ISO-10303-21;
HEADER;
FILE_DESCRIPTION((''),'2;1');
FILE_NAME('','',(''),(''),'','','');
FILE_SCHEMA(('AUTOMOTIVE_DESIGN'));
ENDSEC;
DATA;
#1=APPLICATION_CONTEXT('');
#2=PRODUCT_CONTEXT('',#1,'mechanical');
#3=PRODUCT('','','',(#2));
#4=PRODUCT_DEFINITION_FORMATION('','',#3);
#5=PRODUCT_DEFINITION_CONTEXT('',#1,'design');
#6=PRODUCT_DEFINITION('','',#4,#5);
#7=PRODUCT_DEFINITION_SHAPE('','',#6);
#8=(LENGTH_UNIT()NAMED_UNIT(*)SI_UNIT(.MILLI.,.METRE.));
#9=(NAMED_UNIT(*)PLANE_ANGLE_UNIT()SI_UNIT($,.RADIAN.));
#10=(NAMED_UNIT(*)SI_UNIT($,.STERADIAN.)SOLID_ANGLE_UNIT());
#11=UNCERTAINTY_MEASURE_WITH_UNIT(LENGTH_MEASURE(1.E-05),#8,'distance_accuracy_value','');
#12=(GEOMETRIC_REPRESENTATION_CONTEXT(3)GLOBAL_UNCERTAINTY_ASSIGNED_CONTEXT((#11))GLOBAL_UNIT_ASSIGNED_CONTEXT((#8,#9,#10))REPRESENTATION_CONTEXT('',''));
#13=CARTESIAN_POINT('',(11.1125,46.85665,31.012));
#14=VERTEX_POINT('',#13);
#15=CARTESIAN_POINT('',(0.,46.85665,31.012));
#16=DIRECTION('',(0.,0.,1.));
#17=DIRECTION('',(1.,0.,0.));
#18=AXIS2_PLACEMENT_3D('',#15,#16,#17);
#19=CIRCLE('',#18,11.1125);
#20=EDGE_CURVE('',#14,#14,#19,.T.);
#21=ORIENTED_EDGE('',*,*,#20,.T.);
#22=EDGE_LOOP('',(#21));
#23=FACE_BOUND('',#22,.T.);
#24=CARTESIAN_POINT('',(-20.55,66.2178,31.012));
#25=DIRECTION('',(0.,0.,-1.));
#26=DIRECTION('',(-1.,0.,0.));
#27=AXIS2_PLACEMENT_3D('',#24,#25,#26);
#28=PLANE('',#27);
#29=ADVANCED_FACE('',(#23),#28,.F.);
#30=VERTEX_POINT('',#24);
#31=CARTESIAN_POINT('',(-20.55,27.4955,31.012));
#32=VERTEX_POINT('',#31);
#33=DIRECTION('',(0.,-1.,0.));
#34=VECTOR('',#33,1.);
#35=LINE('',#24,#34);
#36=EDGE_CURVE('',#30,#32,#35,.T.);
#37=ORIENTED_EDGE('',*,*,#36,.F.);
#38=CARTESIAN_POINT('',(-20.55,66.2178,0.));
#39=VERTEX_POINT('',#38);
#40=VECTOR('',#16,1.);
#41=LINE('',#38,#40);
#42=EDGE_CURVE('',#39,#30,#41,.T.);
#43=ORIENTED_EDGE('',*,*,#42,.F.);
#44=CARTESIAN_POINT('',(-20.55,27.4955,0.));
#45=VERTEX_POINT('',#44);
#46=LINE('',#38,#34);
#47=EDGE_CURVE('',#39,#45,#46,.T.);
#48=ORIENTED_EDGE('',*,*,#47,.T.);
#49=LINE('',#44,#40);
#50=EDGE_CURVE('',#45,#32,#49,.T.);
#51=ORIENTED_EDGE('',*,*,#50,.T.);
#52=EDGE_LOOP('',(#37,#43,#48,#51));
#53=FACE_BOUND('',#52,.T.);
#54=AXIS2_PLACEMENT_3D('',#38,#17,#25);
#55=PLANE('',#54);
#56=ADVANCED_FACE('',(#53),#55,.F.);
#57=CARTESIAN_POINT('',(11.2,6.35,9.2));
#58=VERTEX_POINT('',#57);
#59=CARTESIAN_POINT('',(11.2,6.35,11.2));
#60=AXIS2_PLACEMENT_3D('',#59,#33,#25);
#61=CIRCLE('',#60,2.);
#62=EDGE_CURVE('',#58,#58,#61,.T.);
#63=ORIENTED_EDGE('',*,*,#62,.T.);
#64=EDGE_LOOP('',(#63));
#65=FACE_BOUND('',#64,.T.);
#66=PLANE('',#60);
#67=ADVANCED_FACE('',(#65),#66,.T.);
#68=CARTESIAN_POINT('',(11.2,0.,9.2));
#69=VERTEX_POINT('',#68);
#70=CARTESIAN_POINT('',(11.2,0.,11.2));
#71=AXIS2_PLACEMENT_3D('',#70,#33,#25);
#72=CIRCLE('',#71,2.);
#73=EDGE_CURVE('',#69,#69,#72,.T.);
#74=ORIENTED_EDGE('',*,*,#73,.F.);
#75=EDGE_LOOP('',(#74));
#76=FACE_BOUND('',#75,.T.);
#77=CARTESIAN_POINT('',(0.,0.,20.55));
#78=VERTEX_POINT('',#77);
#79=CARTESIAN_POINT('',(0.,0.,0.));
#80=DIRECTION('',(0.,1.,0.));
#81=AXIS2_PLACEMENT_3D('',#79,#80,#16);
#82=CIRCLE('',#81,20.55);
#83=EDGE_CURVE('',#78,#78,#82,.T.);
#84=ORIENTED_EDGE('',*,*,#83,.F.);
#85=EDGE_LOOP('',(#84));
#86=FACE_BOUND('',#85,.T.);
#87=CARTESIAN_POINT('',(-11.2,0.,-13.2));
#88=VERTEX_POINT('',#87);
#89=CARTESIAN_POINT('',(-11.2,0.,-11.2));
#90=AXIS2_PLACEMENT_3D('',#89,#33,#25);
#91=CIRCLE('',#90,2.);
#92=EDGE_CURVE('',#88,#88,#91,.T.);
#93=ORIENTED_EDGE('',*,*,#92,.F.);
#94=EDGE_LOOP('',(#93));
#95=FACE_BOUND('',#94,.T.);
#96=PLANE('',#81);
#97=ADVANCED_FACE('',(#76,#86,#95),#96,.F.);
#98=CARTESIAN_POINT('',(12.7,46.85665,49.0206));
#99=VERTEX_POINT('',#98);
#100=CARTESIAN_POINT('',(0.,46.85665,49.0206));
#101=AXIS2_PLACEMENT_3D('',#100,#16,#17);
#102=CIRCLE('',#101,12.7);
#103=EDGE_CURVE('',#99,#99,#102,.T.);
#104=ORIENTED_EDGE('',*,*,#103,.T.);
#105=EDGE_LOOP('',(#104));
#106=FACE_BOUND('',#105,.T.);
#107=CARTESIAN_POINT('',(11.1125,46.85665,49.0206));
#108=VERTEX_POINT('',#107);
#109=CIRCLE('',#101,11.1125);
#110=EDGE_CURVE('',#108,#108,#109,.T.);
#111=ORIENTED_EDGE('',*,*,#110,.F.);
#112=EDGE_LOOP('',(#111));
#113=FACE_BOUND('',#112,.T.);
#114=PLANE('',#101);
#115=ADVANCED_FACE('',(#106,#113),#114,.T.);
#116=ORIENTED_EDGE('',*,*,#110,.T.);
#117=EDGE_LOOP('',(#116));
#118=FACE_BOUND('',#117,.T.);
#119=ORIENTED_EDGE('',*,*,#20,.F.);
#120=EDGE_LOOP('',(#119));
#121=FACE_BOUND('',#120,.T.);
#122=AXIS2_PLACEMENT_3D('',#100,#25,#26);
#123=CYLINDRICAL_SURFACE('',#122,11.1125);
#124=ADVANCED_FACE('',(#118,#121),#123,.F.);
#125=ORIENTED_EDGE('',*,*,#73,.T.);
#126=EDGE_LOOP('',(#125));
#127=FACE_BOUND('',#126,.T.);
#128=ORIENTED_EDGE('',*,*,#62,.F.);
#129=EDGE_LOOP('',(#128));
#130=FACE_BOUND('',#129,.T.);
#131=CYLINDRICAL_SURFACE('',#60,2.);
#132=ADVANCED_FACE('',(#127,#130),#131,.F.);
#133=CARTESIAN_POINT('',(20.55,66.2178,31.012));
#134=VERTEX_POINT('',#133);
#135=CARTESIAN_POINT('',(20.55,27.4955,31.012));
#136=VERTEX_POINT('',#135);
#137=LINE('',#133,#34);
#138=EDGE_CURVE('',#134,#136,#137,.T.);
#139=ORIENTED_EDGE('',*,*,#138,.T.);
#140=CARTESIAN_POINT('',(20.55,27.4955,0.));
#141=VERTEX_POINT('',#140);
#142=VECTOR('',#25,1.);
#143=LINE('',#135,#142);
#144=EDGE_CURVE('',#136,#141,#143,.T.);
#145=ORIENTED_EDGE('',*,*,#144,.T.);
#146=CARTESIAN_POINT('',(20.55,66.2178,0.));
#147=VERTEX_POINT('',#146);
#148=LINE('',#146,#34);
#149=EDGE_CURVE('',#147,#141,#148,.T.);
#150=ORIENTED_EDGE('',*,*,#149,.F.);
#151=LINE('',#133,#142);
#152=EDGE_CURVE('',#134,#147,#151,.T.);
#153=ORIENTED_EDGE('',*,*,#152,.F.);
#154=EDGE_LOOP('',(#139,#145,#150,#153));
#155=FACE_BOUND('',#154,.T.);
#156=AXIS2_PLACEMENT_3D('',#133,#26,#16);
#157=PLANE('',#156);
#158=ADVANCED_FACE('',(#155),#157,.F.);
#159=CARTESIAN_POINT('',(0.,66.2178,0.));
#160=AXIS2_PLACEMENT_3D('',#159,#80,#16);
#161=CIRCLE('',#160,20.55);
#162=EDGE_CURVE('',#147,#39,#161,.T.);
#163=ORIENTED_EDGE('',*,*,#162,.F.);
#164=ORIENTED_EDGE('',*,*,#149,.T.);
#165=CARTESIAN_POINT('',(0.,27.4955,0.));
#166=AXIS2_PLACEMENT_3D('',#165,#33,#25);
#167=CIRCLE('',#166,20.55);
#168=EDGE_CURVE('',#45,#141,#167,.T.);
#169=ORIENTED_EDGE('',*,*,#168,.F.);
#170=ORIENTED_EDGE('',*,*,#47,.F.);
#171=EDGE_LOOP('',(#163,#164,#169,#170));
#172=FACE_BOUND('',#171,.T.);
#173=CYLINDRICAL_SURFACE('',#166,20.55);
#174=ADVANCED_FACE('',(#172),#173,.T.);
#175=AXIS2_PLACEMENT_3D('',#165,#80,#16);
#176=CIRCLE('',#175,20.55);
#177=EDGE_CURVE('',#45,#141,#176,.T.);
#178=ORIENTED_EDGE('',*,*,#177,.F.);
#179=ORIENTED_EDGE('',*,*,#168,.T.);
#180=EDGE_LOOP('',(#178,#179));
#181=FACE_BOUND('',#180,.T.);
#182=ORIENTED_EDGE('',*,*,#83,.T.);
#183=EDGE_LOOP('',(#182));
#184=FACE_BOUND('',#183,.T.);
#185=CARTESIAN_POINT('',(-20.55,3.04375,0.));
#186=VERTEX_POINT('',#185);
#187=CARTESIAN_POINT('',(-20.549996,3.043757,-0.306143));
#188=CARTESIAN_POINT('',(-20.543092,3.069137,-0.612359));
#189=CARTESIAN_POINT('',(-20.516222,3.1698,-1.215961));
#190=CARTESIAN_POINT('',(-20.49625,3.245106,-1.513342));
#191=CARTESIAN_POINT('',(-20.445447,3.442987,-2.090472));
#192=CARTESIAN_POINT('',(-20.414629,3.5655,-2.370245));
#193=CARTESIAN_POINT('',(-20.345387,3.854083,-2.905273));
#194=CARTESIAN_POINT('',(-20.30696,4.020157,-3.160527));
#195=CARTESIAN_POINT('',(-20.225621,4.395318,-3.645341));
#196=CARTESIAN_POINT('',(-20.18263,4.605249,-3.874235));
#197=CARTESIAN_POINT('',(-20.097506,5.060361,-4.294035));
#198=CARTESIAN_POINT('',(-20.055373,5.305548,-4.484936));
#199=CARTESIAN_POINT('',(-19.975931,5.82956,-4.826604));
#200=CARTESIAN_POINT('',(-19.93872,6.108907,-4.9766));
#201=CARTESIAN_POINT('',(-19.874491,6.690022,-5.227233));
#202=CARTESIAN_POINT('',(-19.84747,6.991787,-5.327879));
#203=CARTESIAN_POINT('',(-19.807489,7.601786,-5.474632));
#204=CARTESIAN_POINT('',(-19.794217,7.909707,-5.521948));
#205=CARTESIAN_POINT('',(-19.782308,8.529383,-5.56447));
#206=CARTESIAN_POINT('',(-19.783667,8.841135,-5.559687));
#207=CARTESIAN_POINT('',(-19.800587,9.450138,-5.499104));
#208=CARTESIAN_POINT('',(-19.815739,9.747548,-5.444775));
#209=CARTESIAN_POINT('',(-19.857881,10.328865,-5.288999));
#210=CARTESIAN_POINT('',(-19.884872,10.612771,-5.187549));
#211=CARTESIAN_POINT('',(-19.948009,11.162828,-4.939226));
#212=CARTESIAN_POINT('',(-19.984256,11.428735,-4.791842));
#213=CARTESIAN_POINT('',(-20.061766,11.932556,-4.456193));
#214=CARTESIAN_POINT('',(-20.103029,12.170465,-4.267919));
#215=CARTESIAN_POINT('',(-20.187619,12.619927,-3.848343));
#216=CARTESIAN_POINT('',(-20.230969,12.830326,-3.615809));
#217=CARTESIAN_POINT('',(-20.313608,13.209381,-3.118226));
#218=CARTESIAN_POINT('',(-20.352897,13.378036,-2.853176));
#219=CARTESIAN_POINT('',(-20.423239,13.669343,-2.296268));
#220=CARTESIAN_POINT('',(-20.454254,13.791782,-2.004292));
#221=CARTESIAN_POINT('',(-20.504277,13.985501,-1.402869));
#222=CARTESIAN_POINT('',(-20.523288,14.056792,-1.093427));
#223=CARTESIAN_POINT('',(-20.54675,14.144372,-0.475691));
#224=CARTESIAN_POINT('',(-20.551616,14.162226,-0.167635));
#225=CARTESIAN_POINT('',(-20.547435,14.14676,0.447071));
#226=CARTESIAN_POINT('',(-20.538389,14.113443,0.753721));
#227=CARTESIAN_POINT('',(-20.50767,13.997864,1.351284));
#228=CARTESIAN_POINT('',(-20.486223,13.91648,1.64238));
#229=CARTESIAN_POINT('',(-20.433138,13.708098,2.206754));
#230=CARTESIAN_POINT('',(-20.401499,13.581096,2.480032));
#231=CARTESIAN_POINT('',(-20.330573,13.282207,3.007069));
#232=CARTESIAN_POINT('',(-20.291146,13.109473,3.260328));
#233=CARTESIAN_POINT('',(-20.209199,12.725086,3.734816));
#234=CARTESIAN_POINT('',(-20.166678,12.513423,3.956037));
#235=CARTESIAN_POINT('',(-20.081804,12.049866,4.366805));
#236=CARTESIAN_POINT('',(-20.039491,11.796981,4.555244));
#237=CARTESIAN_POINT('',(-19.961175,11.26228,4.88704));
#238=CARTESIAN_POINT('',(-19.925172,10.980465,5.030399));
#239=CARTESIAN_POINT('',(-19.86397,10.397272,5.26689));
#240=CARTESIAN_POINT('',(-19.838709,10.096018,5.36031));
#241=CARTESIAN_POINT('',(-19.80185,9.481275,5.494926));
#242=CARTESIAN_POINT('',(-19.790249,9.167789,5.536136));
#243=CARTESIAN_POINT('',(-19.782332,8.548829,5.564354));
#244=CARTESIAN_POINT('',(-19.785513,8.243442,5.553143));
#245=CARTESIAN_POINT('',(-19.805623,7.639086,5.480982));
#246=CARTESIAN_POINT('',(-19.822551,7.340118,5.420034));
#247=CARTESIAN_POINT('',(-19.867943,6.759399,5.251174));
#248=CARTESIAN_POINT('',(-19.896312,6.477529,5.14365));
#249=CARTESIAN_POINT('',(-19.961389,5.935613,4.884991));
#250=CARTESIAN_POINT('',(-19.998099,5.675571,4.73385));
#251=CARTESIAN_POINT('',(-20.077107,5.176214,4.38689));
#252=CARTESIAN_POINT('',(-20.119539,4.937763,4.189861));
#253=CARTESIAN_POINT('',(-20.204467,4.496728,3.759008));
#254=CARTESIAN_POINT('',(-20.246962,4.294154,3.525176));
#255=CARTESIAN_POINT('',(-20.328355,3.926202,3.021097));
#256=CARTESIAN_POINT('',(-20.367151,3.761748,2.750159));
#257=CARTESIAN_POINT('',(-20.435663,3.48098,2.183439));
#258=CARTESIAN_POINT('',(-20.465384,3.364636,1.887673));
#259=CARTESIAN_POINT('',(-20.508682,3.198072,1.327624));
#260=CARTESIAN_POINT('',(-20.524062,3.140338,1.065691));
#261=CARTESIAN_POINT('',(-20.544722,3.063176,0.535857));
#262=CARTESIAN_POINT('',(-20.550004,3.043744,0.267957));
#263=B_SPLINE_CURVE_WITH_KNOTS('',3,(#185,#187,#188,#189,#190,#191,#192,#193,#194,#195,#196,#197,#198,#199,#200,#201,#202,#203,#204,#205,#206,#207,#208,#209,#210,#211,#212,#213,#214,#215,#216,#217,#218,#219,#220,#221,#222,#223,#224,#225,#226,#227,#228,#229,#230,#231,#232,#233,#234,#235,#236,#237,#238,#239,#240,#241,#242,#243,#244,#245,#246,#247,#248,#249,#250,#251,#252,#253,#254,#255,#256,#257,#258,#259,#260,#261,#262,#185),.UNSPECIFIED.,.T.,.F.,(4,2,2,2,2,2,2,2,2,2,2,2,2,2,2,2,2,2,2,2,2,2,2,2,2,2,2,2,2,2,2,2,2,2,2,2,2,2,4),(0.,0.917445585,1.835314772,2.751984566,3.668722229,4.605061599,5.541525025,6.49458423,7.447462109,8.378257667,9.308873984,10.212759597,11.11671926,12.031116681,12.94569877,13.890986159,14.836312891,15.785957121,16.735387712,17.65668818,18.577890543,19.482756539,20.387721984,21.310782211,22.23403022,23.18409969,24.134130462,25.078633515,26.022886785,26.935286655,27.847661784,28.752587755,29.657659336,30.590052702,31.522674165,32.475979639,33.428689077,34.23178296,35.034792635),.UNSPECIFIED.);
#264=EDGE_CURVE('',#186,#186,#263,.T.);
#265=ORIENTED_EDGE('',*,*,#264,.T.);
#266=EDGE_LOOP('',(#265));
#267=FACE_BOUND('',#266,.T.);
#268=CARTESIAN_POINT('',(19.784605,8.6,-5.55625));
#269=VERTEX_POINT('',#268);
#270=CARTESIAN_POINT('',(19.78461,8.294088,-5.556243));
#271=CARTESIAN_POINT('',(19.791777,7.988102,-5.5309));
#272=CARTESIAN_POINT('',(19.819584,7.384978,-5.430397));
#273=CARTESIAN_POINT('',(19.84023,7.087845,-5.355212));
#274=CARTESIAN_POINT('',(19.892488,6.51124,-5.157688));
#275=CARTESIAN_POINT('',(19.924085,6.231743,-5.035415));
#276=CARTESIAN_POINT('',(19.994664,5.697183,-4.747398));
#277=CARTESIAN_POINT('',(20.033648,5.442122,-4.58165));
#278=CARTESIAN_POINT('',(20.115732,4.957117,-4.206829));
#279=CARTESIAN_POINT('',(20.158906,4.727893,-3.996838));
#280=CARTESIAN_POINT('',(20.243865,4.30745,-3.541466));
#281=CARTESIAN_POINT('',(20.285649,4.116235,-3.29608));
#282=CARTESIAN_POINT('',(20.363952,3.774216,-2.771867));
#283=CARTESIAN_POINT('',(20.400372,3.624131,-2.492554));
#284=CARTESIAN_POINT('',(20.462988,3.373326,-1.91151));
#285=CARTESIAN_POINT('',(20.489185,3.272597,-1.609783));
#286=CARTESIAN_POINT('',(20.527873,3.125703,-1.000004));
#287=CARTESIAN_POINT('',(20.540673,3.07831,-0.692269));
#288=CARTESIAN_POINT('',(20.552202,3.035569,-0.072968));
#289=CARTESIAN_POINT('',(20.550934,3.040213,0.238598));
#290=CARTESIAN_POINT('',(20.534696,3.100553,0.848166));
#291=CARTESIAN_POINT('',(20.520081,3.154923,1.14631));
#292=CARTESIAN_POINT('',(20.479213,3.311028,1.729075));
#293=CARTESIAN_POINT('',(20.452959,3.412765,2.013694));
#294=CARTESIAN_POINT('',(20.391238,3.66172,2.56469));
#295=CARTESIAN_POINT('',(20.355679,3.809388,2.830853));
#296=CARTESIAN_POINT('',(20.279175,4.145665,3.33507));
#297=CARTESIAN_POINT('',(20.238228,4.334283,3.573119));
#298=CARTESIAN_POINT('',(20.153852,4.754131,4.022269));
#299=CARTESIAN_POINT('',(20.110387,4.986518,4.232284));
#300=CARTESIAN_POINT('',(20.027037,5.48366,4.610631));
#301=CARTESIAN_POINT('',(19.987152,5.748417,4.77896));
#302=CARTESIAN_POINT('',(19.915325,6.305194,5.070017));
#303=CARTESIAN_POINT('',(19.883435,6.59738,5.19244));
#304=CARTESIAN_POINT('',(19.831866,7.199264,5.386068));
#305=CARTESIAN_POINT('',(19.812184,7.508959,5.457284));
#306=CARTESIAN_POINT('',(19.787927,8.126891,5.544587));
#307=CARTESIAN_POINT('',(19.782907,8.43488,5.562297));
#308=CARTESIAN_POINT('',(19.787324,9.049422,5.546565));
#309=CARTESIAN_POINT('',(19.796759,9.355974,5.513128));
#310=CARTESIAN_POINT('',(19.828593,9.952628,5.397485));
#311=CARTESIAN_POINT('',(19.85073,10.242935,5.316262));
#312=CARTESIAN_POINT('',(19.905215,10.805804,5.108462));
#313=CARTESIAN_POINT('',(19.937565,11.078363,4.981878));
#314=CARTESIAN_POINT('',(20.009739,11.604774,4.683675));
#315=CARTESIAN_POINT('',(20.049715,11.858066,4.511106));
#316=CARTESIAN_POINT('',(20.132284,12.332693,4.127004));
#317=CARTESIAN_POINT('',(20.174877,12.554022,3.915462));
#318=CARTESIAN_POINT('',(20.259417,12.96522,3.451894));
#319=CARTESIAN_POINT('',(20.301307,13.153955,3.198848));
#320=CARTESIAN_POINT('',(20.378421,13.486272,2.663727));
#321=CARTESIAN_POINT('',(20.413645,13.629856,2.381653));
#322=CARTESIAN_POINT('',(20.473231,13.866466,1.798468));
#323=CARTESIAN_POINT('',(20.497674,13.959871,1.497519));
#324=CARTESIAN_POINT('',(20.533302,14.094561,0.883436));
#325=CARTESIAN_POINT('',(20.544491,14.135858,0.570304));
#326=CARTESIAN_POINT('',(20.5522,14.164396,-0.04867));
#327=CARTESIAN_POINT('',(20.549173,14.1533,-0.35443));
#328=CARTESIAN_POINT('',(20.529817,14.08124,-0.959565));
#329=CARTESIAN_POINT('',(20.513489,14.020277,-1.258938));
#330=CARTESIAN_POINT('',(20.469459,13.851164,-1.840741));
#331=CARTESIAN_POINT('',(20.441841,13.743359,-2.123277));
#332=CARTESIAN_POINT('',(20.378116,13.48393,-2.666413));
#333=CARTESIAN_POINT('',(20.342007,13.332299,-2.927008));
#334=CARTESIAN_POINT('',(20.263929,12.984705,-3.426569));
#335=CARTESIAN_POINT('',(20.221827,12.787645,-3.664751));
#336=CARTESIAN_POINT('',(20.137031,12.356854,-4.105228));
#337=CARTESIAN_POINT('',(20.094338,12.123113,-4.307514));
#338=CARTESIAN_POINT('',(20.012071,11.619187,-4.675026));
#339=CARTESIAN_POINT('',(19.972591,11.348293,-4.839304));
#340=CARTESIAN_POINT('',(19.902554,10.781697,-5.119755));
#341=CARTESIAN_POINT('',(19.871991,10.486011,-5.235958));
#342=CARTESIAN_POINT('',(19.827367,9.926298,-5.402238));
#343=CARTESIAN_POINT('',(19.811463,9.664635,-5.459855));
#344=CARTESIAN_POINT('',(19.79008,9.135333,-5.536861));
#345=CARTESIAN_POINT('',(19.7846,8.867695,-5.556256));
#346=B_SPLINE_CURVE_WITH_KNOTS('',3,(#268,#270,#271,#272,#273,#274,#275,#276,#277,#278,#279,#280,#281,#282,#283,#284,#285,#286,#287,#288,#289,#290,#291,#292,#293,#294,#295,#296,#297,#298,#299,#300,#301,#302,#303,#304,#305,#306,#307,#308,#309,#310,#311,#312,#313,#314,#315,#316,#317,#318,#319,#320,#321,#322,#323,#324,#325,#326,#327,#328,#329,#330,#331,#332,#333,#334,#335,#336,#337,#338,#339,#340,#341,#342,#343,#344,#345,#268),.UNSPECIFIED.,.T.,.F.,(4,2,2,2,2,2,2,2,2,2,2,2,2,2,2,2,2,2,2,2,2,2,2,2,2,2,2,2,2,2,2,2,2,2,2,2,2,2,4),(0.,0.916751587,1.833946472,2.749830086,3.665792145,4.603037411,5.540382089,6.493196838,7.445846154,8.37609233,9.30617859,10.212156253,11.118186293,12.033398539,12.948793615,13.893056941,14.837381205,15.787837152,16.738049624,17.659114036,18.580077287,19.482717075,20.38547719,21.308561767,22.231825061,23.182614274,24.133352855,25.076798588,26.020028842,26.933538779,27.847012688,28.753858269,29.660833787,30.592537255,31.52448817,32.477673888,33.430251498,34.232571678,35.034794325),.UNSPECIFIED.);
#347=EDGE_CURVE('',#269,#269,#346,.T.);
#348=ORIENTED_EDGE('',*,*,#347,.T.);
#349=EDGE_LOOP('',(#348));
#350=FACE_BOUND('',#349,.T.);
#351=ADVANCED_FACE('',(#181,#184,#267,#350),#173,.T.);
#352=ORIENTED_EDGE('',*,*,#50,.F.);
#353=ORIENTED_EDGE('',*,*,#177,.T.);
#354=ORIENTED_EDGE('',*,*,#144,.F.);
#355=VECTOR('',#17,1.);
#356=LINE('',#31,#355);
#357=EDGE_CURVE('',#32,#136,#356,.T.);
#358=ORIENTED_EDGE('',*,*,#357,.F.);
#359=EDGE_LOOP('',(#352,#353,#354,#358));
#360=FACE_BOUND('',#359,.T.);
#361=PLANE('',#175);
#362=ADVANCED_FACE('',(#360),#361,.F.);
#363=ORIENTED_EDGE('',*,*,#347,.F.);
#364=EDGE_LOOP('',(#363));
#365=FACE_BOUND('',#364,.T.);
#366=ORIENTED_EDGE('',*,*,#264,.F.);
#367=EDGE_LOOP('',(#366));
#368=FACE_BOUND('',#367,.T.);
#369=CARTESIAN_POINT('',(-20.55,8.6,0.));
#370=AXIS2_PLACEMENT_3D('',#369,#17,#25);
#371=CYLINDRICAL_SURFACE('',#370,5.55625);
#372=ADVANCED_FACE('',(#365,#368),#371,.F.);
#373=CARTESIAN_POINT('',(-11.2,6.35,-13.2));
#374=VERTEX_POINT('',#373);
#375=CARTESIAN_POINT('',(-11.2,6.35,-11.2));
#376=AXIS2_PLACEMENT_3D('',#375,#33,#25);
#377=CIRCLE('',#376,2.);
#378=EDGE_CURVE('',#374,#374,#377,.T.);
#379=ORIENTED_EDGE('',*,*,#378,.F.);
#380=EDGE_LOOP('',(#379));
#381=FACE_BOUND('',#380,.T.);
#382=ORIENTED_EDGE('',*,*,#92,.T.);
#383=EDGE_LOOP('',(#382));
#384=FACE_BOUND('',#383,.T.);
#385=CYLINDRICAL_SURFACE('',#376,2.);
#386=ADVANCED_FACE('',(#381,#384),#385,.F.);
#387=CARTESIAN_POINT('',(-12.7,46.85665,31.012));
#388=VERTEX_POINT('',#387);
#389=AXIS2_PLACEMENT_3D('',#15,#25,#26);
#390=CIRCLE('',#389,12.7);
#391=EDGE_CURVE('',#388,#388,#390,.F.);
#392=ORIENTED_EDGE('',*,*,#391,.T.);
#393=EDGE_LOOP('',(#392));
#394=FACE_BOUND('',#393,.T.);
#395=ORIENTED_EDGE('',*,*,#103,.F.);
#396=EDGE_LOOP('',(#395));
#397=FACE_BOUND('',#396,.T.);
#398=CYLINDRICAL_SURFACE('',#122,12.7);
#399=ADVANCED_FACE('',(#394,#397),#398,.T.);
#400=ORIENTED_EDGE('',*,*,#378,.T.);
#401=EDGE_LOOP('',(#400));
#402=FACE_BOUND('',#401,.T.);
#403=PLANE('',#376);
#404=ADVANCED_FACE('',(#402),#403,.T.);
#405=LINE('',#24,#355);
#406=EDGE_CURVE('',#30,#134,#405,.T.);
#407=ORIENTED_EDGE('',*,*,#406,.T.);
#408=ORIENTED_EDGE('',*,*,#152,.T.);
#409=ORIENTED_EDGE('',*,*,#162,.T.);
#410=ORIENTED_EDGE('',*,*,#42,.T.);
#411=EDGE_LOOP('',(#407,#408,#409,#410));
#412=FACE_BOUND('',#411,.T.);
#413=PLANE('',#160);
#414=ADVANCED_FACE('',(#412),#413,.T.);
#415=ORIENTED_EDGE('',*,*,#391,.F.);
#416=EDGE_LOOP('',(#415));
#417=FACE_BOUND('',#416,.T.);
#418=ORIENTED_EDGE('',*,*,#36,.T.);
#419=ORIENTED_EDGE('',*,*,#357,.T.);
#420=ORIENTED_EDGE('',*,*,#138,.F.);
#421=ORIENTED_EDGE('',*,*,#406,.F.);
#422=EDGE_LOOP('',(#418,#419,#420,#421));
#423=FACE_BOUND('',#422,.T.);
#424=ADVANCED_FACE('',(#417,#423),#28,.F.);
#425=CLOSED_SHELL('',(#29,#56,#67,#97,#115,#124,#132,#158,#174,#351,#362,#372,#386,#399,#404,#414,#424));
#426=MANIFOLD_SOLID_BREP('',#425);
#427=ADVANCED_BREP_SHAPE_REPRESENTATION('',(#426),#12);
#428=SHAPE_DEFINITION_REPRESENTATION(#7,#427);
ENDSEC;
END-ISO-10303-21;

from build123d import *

# Parameters (mm, degrees)
SKETCH1_R        = 20.55
BASE_DEPTH       = 27.4955
TOP_DEPTH        = 38.7223
SKETCH3_R        = 2
MOUNTING_DEPTH   = 6.35
NPTF_DEPTH       = 76.952904361
NPTF_DEPTH_BACK  = 76.952904361
SKETCH4_R        = 5.55625
SKETCH5_R        = 12.7
SKETCH5_R_2      = 11.1125
CABLE_TUBE_DEPTH = 18.0086


with BuildPart() as part:
    # Sketch1 → BASE (new body)
    with BuildSketch(Plane(origin=(0, 0, 0), x_dir=(1, 0, 0), z_dir=(0, 1, 0))):
        with Locations(Location((0, 0, 0), (0, 0, 270))):
            Circle(SKETCH1_R)
    extrude(amount=BASE_DEPTH)

    # Sketch2 → TOP (add)
    with BuildSketch(Plane(origin=(0, 27.4955, 0), x_dir=(1, 0, 0), z_dir=(0, 1, 0))):
        with BuildLine():
            Line((-20.55, 0), (-20.55, -31.012))
            Line((-20.55, -31.012), (20.55, -31.012))
            Line((20.55, -31.012), (20.55, 0))
            ThreePointArc((20.55, 0), (0, 20.55), (-20.55, 0))
        make_face()
    extrude(amount=TOP_DEPTH)

    # Sketch3 → MOUNTING (cut)
    with BuildSketch(Plane.XZ):
        with Locations(Location((11.2, 11.2, 0), (0, 0, 270))):
            Circle(SKETCH3_R)
        with Locations(Location((-11.2, -11.2, 0), (0, 0, 270))):
            Circle(SKETCH3_R)
    extrude(amount=-MOUNTING_DEPTH, mode=Mode.SUBTRACT)

    # Sketch4 → NPTF (cut, two sides: drawn at the far end of the back side and taken through both)
    with BuildSketch(Plane(origin=(0, 0, 0), x_dir=(0, 0, -1), z_dir=(1, 0, 0)).offset(-NPTF_DEPTH_BACK)):
        with Locations((0, 8.6)):
            Circle(SKETCH4_R)
    extrude(amount=NPTF_DEPTH + NPTF_DEPTH_BACK, mode=Mode.SUBTRACT)

    # Sketch5 → CABLE_TUBE (add)
    with BuildSketch(Plane.XY.offset(31.012)):
        with Locations(Location((0, 46.85665, 0), (0, 0, 180))):
            Circle(SKETCH5_R)
        with Locations((0, 46.85665)):
            Circle(SKETCH5_R_2, mode=Mode.SUBTRACT)
    extrude(amount=CABLE_TUBE_DEPTH)


solid = part.part
